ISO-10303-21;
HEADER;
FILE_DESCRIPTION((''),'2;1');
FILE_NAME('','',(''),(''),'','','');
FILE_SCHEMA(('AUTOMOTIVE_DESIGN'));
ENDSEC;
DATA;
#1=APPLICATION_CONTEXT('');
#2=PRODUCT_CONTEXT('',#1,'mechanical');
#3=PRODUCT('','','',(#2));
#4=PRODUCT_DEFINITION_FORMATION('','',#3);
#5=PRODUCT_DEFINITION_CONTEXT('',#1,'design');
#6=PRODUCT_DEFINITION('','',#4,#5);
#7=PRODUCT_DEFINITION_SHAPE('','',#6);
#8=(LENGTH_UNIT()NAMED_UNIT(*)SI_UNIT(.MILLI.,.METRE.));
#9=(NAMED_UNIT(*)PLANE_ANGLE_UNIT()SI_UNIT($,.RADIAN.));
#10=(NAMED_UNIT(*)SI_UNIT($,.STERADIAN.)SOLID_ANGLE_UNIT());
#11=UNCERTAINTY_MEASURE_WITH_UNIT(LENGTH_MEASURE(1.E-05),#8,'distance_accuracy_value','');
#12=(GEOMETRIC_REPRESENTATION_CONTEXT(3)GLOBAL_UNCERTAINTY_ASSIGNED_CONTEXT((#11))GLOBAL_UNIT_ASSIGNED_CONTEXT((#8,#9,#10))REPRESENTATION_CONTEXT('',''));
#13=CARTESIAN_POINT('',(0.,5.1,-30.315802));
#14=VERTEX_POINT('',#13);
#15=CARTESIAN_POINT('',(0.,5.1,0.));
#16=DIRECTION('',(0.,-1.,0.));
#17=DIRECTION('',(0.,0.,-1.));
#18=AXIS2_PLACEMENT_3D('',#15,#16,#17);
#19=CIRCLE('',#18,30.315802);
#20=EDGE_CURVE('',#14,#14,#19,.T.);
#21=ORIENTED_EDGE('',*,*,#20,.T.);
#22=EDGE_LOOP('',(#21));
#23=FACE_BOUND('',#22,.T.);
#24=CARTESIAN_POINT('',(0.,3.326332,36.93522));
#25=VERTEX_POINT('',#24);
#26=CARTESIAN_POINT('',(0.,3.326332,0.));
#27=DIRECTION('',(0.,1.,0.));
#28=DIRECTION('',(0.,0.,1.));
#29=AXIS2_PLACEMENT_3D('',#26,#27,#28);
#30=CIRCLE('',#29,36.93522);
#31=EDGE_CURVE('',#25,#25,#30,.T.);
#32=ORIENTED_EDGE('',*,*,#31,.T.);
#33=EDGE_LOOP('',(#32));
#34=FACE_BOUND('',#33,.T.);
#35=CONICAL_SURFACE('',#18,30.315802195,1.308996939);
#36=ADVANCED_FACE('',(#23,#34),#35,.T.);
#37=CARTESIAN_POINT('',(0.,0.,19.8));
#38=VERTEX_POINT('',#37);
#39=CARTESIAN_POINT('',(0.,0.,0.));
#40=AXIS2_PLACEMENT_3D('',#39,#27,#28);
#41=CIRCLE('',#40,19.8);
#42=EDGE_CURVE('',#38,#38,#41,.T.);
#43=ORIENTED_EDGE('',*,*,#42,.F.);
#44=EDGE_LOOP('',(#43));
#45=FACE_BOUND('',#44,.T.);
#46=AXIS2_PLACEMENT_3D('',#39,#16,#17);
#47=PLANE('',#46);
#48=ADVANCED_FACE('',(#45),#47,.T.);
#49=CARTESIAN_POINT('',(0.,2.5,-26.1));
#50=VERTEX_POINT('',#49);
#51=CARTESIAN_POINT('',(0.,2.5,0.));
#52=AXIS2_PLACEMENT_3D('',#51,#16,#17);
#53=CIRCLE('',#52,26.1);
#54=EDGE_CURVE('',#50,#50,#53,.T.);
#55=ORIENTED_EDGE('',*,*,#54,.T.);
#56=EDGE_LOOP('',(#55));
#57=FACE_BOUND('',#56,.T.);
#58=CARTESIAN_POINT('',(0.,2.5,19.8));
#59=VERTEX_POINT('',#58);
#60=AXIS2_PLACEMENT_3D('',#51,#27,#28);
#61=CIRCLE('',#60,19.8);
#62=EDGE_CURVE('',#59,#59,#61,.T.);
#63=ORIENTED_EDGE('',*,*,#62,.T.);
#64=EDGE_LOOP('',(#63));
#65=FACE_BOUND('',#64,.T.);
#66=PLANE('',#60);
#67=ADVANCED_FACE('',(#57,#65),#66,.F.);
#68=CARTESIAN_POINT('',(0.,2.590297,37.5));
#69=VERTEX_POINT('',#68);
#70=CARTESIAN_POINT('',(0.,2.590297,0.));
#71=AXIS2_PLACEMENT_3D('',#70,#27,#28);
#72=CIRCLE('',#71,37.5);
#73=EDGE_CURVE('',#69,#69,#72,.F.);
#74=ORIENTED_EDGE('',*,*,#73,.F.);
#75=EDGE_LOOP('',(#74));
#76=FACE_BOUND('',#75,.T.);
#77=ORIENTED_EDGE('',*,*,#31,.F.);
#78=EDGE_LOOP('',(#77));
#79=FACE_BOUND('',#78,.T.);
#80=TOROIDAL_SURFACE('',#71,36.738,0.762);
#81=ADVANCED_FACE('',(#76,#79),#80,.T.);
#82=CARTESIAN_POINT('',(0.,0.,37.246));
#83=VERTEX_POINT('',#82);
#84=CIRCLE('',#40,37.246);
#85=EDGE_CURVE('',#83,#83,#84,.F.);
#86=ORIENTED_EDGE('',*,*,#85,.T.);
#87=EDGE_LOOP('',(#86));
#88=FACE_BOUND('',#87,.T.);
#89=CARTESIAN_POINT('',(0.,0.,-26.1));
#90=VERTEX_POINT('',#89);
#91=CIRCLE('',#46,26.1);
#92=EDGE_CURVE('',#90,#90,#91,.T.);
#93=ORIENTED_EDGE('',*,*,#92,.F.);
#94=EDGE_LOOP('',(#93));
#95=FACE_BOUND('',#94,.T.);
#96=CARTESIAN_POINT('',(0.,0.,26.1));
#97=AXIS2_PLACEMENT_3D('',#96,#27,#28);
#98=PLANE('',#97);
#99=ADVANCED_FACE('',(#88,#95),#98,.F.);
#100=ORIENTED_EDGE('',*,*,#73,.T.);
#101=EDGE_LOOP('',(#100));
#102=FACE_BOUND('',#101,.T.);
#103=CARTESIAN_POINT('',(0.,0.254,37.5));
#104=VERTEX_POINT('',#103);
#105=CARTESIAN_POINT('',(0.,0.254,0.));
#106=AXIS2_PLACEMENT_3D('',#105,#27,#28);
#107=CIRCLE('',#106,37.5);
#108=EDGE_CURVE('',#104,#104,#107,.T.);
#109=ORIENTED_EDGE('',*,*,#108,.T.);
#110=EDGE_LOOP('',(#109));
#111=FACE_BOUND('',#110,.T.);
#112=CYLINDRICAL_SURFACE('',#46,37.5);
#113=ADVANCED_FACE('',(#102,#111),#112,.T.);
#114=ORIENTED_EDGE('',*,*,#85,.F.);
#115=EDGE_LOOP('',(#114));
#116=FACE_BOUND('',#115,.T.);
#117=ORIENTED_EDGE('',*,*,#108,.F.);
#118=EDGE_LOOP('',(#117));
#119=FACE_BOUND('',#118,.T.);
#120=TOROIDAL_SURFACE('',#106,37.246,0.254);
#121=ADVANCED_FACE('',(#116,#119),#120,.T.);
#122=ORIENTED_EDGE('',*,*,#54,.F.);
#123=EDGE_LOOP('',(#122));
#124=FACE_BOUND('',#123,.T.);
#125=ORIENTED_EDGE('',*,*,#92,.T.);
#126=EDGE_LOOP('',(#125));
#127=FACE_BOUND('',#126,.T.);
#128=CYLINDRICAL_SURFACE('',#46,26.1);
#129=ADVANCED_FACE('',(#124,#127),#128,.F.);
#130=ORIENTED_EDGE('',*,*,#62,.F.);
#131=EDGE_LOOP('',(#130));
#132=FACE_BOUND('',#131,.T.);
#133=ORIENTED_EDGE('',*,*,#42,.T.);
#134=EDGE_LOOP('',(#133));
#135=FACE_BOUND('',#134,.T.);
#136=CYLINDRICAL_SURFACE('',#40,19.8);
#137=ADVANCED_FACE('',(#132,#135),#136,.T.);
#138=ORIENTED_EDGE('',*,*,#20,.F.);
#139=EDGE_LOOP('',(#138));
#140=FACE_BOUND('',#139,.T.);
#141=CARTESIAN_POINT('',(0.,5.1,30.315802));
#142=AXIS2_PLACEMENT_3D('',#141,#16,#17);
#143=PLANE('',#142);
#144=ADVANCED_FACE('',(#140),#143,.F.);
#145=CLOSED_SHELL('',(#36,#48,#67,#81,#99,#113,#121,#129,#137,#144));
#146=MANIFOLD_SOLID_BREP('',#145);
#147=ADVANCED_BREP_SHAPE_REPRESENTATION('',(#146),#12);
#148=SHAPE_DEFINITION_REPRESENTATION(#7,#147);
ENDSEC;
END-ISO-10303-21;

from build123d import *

# Parameters (mm, degrees)
SKETCH2_W = 19.8
SKETCH2_H = 2.5
FILLET1_R = 0.762
FILLET2_R = 0.254


with BuildPart() as part:
    # Sketch1 → Flange (revolve)
    with BuildSketch(Plane(origin=(0, 0, 0), x_dir=(0, 0, -1), z_dir=(1, 0, 0)), mode=Mode.PRIVATE) as flange_sk:
        Polygon((-37.5, 0), (-37.5, 3.175), (-30.315802195, 5.1), (0, 5.1), (0, 2.5), (-26.1, 2.5), (-26.1, 0), align=None)
    revolve(flange_sk.sketch.rotate(Axis((0, 0, 0), (0, 1, 0)), 180), axis=Axis((0, 0, 0), (0, 1, 0)))

    # Sketch2 → Blank Insert (revolve)
    with BuildSketch(Plane(origin=(0, 0, 0), x_dir=(0, 0, -1), z_dir=(1, 0, 0))):
        with Locations((-9.9, 1.25)):
            Rectangle(SKETCH2_W, SKETCH2_H)
    revolve(axis=Axis((0, 0, 0), (0, -1, 0)))

    # Fillet1
    fillet1_edges = [part.edges().sort_by_distance(p)[0] for p in [
        (0, 3.175, 37.5),
    ]]
    fillet(fillet1_edges, radius=FILLET1_R)

    # Fillet2
    fillet2_edges = [part.edges().sort_by_distance(p)[0] for p in [
        (0, 0, 37.5),
    ]]
    fillet(fillet2_edges, radius=FILLET2_R)


solid = part.part
